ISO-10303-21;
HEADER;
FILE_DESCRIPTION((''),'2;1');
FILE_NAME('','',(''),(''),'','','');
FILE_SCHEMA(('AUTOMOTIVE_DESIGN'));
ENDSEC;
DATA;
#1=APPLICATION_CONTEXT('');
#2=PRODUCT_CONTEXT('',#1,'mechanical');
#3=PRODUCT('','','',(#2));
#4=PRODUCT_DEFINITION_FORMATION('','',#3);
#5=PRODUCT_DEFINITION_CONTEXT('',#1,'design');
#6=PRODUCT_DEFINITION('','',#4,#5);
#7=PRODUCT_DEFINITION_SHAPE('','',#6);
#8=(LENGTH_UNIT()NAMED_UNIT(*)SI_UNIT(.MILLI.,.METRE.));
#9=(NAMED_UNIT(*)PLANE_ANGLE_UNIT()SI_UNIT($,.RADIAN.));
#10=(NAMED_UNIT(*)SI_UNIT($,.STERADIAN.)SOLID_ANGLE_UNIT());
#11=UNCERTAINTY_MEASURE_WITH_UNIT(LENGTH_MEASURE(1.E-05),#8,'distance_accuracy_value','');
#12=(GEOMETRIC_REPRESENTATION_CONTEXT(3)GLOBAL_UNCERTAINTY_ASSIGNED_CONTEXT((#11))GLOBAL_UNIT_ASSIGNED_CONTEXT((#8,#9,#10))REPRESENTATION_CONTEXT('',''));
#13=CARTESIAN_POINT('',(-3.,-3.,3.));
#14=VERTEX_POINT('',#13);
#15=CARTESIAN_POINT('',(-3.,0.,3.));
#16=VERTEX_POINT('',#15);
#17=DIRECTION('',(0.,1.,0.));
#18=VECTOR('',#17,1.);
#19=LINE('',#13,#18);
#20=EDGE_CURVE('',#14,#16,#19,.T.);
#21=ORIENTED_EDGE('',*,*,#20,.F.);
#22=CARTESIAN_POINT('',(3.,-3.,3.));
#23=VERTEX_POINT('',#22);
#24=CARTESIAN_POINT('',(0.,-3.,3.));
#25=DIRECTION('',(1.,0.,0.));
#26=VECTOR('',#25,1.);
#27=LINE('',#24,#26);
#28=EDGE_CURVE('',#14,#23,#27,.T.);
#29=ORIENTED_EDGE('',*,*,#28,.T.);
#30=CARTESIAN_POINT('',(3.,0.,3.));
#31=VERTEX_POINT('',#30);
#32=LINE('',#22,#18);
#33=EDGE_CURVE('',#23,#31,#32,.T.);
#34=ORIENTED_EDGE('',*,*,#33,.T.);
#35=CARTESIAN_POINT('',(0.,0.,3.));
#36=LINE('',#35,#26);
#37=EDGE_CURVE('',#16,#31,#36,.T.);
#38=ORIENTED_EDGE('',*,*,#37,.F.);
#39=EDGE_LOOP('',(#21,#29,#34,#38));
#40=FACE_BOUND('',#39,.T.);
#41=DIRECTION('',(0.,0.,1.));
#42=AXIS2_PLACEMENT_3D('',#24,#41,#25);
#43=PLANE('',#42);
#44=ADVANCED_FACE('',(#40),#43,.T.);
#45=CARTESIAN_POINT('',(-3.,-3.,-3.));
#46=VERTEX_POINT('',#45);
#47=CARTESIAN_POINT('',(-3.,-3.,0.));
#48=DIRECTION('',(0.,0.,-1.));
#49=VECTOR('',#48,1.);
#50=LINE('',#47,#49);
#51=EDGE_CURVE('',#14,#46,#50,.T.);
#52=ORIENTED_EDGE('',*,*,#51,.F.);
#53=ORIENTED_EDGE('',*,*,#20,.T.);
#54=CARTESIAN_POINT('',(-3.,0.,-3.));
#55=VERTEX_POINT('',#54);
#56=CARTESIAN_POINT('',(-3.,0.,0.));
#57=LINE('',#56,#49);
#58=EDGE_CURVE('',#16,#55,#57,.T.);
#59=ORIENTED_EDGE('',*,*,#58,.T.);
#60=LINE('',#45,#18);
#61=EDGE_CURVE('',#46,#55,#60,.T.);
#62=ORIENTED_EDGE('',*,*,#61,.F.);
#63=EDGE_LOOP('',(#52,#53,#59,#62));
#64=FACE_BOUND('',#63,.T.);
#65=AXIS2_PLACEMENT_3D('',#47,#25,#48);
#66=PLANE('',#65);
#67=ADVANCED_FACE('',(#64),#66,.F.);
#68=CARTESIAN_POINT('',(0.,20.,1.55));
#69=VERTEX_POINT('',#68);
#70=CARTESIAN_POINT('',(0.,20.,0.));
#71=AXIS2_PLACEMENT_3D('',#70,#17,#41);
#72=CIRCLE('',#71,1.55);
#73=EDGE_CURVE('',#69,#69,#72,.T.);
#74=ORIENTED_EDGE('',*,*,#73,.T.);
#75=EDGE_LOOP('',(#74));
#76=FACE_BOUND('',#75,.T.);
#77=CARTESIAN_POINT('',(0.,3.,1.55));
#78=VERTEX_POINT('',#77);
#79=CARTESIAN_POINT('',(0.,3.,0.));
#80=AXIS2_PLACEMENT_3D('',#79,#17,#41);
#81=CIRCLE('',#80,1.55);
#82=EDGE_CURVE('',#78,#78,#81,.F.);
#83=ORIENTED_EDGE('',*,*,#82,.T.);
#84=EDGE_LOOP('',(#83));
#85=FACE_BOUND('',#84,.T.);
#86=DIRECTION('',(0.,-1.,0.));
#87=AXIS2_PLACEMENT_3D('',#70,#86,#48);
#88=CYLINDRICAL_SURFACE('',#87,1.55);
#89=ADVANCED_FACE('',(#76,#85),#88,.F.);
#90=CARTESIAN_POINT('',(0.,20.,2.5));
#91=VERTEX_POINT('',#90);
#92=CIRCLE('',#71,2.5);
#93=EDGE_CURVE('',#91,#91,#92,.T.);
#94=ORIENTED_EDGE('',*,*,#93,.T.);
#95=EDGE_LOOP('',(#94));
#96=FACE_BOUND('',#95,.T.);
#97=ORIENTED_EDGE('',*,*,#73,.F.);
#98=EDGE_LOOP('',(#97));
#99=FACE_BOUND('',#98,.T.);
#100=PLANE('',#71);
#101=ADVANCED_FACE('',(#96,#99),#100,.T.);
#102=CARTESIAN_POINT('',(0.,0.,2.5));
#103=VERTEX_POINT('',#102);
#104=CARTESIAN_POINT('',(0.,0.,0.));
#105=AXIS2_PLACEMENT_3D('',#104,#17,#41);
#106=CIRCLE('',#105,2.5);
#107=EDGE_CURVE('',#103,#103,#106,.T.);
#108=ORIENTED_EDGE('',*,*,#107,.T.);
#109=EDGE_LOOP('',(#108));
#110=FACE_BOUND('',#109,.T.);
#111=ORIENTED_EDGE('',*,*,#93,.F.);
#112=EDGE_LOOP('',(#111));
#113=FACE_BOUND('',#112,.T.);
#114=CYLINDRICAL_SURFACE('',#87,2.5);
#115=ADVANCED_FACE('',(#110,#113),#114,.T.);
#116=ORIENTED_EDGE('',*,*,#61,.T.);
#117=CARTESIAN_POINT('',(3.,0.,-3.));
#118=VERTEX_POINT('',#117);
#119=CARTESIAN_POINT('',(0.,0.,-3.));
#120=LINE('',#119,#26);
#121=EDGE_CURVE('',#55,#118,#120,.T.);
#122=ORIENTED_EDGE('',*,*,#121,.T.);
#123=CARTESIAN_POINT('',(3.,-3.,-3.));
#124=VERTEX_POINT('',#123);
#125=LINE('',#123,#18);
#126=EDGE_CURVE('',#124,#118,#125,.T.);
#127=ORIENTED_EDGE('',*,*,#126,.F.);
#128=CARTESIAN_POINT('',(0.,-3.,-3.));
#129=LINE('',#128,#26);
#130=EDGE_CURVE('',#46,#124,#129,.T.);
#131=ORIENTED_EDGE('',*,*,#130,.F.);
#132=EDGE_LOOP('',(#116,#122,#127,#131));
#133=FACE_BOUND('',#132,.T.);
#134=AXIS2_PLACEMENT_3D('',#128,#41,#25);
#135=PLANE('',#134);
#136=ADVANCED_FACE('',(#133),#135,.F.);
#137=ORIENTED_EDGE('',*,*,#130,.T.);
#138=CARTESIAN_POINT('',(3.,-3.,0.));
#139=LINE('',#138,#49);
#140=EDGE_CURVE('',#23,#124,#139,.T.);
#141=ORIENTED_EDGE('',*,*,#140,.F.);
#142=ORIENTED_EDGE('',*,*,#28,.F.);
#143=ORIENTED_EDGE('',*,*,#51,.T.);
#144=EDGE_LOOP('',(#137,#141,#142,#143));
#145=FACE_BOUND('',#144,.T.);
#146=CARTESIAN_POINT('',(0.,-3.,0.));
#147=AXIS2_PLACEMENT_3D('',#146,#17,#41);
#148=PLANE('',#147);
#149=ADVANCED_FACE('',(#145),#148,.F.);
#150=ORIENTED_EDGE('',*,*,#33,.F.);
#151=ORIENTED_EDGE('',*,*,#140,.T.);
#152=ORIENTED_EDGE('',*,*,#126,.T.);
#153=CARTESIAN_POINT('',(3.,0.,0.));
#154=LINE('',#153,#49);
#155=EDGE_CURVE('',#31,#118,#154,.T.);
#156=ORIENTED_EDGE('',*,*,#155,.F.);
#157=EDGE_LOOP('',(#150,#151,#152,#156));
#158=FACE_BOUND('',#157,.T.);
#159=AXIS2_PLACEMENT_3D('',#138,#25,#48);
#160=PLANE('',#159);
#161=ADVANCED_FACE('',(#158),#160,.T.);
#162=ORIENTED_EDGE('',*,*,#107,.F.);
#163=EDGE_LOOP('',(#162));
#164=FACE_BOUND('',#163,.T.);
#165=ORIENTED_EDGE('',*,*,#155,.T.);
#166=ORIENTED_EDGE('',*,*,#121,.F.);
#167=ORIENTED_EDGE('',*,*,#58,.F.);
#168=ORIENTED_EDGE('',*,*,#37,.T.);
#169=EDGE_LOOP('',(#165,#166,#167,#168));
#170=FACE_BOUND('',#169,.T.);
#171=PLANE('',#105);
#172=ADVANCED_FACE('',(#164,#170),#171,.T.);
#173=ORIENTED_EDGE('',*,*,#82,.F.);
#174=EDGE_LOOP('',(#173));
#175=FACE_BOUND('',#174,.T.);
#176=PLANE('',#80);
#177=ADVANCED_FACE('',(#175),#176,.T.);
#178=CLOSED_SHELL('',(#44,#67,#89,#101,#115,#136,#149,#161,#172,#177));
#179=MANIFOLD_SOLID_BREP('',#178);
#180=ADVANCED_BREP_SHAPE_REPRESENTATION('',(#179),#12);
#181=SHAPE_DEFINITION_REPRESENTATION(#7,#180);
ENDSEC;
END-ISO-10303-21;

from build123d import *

# Parameters (mm, degrees)
SKETCH1_W           = 6
SKETCH1_H           = 6
BOSS_EXTRUDE1_DEPTH = 3
SKETCH1_3_R         = 1.55
BOSS_EXTRUDE2_DEPTH = 3
SKETCH1_4_R         = 2.5
SKETCH1_4_R_2       = 1.55
BOSS_EXTRUDE3_DEPTH = 20


with BuildPart() as part:
    # Sketch1 → Boss-Extrude1 (new body)
    with BuildSketch(Plane(origin=(0, 0, 0), x_dir=(1, 0, 0), z_dir=(0, 1, 0))):
        Rectangle(SKETCH1_W, SKETCH1_H)
    extrude(amount=-BOSS_EXTRUDE1_DEPTH)

    # Sketch1<3> → Boss-Extrude2 (add)
    with BuildSketch(Plane(origin=(0, 0, 0), x_dir=(1, 0, 0), z_dir=(0, 1, 0))):
        Circle(SKETCH1_3_R)
    extrude(amount=BOSS_EXTRUDE2_DEPTH)

    # Sketch1<4> → Boss-Extrude3 (add)
    with BuildSketch(Plane(origin=(0, 0, 0), x_dir=(1, 0, 0), z_dir=(0, 1, 0))):
        Circle(SKETCH1_4_R)
        Circle(SKETCH1_4_R_2, mode=Mode.SUBTRACT)
    extrude(amount=BOSS_EXTRUDE3_DEPTH)


solid = part.part
